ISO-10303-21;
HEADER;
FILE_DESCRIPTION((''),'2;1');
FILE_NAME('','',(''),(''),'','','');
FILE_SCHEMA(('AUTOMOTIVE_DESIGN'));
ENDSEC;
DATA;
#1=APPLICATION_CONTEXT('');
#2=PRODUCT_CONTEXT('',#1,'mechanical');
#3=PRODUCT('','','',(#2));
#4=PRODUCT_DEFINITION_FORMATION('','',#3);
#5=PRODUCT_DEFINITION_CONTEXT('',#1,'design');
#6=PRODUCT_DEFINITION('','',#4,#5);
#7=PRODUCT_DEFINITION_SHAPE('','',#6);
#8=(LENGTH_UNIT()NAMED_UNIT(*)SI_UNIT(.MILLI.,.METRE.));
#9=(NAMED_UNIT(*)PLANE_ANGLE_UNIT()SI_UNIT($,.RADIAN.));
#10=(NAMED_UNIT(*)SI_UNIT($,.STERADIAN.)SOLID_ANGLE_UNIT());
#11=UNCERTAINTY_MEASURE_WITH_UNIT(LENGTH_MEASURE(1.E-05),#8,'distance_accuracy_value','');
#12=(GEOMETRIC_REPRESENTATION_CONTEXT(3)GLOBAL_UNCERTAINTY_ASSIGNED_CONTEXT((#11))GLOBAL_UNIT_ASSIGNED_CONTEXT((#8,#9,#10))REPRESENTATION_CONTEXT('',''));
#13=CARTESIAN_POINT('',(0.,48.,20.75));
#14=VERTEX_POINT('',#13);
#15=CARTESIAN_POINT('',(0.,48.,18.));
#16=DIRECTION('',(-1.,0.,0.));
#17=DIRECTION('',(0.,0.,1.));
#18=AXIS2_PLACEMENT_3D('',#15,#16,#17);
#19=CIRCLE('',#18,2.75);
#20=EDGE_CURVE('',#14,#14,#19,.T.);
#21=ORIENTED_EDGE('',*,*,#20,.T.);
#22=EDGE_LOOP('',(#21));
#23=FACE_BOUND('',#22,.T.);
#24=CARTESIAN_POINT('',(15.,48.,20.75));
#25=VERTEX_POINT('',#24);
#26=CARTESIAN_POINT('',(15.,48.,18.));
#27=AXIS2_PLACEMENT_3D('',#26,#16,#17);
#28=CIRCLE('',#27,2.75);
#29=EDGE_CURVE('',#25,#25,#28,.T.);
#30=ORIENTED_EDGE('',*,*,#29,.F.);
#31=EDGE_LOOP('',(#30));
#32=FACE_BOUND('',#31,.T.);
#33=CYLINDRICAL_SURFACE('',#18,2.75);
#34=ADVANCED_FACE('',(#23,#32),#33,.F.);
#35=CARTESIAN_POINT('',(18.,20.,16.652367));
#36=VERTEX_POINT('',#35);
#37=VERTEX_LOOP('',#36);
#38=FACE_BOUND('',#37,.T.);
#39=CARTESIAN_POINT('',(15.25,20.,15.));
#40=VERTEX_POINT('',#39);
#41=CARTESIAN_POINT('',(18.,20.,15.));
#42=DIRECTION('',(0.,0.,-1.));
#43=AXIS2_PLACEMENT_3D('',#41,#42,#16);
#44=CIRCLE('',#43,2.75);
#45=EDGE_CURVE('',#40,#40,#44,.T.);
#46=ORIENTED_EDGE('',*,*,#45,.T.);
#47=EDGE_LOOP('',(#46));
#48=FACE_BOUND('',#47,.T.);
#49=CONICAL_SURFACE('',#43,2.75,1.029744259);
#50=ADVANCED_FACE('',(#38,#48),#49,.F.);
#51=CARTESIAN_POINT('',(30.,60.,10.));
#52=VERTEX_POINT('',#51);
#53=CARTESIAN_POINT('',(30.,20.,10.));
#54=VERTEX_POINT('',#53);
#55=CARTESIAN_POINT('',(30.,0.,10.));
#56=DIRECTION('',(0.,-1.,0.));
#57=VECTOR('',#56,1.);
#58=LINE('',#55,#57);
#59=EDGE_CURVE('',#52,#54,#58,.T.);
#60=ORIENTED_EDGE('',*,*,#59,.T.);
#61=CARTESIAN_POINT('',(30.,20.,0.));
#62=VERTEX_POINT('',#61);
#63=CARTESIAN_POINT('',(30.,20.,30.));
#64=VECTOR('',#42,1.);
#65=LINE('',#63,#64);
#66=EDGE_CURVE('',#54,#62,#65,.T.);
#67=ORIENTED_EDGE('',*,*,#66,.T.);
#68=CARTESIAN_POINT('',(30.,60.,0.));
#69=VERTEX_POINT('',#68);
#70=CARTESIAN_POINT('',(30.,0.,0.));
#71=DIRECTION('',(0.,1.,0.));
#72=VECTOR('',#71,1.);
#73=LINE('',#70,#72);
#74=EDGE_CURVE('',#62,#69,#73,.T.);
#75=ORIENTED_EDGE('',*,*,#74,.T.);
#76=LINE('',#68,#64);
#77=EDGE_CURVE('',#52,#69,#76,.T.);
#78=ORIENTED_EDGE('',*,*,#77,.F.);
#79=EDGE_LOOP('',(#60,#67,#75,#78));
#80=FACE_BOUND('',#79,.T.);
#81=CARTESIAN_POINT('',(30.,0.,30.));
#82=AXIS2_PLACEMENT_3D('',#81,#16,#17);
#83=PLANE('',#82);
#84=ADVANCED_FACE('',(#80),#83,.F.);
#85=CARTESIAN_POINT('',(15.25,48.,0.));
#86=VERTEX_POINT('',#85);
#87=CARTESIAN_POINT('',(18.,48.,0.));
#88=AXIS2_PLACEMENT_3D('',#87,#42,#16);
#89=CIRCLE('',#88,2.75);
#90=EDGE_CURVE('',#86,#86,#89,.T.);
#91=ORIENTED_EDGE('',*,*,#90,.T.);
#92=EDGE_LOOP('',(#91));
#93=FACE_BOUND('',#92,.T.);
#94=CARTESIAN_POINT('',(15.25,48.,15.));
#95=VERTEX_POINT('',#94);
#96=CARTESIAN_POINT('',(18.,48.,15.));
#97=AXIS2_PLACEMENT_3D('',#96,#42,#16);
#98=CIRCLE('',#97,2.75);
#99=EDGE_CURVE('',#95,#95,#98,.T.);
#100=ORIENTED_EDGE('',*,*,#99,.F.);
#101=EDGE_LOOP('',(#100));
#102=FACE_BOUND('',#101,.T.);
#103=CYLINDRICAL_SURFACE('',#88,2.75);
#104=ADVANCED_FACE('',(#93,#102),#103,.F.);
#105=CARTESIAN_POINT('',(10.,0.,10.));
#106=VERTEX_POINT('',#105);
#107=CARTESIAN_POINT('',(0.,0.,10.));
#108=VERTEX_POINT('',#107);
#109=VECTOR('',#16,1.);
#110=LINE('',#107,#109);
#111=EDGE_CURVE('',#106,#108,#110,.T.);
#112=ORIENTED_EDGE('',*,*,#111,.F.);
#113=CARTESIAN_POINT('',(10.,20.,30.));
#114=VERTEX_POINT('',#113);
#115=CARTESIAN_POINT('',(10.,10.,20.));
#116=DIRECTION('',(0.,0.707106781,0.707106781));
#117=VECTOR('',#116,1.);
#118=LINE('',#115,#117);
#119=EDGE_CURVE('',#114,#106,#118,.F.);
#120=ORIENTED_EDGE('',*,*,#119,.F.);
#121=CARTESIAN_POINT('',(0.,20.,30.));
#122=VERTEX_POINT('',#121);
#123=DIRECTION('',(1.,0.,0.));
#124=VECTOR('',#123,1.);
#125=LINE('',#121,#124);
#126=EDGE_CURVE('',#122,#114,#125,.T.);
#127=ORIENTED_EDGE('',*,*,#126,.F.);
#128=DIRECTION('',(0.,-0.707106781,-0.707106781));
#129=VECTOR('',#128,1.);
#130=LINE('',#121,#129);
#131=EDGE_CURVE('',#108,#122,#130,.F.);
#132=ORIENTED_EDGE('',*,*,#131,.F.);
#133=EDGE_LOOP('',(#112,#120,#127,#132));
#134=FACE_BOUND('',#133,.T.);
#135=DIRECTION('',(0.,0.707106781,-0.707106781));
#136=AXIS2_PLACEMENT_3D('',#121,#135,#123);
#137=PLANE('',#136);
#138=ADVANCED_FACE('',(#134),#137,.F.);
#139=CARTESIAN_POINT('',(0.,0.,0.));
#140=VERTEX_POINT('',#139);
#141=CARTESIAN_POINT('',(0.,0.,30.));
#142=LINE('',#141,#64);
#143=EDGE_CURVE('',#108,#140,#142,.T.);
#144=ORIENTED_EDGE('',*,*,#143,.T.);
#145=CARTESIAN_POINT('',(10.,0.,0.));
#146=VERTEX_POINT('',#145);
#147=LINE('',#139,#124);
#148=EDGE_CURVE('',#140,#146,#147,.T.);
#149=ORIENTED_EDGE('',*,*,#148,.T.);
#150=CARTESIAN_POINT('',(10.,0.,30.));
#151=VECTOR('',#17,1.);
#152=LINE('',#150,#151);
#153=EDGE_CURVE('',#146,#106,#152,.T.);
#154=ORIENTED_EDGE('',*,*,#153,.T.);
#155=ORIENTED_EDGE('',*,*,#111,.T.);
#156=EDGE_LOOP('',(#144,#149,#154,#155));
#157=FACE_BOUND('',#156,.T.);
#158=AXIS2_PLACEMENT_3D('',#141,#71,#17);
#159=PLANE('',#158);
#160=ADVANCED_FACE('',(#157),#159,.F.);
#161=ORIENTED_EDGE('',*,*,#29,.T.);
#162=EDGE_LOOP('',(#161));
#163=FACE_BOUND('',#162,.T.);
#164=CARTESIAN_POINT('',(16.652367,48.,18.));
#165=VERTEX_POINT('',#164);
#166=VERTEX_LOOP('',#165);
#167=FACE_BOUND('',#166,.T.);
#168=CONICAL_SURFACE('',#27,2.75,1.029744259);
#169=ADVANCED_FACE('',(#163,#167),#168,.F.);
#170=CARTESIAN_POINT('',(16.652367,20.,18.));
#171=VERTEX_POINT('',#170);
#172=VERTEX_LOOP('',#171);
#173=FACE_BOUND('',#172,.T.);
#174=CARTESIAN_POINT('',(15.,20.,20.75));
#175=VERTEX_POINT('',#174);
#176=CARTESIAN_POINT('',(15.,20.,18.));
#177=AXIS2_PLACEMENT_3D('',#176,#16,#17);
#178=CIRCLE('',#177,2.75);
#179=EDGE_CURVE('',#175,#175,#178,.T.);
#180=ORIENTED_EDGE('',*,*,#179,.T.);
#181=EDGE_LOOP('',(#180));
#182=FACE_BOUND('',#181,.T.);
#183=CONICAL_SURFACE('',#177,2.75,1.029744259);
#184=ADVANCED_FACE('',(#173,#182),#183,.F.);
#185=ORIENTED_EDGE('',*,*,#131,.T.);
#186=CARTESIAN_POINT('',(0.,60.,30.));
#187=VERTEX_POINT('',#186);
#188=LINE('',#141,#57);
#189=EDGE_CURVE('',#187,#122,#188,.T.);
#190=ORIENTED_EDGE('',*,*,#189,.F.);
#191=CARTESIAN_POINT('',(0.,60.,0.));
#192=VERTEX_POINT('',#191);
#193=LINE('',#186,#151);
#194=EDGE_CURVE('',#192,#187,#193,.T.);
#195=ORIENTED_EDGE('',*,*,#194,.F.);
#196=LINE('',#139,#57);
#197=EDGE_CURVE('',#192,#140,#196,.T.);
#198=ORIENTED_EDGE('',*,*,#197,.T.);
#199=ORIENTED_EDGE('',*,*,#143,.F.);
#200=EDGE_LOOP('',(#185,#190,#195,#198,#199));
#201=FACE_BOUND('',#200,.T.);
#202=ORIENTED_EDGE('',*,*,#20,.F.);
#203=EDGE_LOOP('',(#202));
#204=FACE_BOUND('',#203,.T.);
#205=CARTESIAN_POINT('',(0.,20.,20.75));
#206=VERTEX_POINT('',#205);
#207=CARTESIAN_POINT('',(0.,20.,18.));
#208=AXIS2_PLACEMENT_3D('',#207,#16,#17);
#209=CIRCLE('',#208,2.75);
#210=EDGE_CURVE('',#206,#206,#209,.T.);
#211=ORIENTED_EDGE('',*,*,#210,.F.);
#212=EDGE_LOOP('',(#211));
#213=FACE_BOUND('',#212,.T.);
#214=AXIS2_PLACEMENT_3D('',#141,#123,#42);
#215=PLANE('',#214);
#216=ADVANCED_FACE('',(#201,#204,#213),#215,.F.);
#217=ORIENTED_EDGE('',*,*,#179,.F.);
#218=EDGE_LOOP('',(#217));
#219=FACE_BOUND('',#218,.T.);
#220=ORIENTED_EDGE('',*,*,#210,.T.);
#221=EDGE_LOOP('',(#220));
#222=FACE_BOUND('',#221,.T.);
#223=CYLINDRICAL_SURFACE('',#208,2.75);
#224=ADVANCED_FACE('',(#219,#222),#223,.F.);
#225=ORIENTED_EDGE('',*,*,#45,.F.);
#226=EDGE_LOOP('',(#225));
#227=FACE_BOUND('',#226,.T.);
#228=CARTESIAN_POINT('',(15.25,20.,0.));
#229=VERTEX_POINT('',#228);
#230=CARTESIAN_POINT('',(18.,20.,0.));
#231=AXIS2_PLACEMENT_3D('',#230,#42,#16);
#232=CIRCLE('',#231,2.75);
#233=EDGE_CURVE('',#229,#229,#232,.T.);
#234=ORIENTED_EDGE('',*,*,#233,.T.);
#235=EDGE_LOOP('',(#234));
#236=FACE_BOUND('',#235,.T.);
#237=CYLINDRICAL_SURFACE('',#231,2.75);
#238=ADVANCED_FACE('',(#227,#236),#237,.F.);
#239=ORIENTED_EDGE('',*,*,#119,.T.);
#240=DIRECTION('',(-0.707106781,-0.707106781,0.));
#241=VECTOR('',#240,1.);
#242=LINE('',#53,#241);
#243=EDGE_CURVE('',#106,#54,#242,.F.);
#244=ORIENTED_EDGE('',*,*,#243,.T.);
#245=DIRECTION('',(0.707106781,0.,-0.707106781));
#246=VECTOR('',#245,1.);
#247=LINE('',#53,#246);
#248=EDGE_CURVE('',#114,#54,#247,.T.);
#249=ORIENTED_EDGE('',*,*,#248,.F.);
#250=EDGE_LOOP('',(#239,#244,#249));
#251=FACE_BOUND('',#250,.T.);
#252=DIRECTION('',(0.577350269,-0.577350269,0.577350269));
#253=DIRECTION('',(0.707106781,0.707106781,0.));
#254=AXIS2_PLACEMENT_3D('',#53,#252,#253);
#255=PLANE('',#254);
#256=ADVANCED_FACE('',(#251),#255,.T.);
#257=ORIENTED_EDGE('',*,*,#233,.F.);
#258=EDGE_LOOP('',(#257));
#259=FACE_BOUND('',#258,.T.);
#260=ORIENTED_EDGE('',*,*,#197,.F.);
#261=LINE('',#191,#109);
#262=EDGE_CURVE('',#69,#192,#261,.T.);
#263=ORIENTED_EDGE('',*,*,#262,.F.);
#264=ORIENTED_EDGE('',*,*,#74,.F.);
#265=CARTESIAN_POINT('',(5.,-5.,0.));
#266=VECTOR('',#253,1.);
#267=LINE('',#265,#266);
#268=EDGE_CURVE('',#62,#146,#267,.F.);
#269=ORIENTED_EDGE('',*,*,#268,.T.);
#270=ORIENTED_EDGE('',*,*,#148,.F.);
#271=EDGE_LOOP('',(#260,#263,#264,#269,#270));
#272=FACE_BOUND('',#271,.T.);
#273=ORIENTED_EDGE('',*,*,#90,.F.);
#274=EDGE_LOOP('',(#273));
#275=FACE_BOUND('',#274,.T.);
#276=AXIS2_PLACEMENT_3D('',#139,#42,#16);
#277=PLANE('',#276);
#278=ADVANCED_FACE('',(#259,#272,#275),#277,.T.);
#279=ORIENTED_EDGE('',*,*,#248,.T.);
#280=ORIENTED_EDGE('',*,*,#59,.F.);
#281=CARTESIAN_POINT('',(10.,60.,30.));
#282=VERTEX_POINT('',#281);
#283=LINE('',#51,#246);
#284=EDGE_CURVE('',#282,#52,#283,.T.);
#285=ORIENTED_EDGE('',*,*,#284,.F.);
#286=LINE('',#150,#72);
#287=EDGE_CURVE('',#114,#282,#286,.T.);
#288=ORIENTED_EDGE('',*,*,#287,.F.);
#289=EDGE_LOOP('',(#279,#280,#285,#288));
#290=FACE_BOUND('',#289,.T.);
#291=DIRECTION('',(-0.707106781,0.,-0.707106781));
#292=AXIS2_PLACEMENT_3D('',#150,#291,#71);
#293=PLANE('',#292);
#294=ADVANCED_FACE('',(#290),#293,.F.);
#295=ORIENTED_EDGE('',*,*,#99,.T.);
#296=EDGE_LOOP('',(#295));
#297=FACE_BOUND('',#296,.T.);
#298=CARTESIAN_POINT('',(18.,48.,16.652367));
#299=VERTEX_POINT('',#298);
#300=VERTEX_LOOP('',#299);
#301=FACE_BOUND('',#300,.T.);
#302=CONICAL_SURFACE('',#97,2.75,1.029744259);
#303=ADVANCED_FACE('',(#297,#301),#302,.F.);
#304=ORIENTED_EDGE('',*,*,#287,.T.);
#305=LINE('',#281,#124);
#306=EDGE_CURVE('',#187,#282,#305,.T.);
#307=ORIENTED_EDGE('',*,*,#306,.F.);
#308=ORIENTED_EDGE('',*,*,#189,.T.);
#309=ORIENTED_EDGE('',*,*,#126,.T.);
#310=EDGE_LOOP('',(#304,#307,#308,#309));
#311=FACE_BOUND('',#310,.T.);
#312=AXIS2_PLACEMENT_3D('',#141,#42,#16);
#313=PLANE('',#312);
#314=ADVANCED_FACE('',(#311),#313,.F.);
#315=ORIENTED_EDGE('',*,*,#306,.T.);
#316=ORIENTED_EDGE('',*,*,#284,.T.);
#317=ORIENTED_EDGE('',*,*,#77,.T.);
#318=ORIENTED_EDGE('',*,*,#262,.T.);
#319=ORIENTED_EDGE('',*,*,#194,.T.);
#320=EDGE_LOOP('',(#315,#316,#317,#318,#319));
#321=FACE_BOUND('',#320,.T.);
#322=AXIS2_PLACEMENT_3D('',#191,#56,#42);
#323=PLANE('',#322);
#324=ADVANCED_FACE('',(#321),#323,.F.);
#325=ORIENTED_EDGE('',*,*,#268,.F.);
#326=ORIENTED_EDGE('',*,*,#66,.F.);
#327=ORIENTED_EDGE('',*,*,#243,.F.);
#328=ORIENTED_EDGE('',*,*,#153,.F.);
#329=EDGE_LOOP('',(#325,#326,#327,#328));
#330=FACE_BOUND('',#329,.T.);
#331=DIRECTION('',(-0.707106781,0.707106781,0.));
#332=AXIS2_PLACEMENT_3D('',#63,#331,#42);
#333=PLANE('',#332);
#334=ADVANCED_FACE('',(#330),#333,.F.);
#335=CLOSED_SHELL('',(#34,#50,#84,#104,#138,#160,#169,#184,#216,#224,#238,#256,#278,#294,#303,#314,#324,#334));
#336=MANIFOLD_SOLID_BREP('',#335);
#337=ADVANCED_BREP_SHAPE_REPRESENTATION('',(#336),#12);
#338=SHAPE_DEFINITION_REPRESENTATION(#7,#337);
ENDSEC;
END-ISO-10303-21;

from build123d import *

# Parameters (mm, degrees)
SCHIZZO1_W                   = 30
SCHIZZO1_H                   = 40
ESTRUSIONE_ESTRUSIONE1_DEPTH = 30
SMUSSO1_SIZE                 = 20
ESTRUSIONE_ESTRUSIONE2_DEPTH = 20
FORO_PER_VITE_M5_1_D         = 5.5
FORO_PER_VITE_M5_1_DEPTH     = 15
FORO_PER_VITE_M5_1_TIP       = 1.652366702
FORO_PER_VITE_M5_2_D         = 5.5
FORO_PER_VITE_M5_2_DEPTH     = 15
FORO_PER_VITE_M5_2_TIP       = 1.652366702


with BuildPart() as part:
    # Schizzo1 → Estrusione-Estrusione1 (new body)
    with BuildSketch(Plane.XY):
        with Locations((15, 20)):
            Rectangle(SCHIZZO1_W, SCHIZZO1_H)
    extrude(amount=ESTRUSIONE_ESTRUSIONE1_DEPTH)

    # Smusso1
    smusso1_edges = [part.edges().sort_by_distance(p)[0] for p in [
        (30, 20, 30),
        (30, 0, 15),
        (15, 0, 30),
    ]]
    chamfer(smusso1_edges, length=SMUSSO1_SIZE)

    # Schizzo2 → Estrusione-Estrusione2 (add)
    with BuildSketch(Plane(origin=(0, 40, 0), x_dir=(1, 0, 0), z_dir=(0, 1, 0))):
        Polygon((0, 0), (30, 0), (30, -10), (10, -30), (0, -30), align=None)
    extrude(amount=ESTRUSIONE_ESTRUSIONE2_DEPTH)

    # Foro per Vite M5-1
    with Locations(Plane.ZY):
        with Locations((18, 20), (18, 48)):
            Hole(FORO_PER_VITE_M5_1_D / 2, depth=FORO_PER_VITE_M5_1_DEPTH)
            with Locations((0, 0, -(FORO_PER_VITE_M5_1_DEPTH + FORO_PER_VITE_M5_1_TIP / 2))):  # 118° drill point
                Cone(0, FORO_PER_VITE_M5_1_D / 2, FORO_PER_VITE_M5_1_TIP, mode=Mode.SUBTRACT)

    # Foro per Vite M5-2
    with Locations(Plane(origin=(18, 20, 0), x_dir=(-1, 0, 0), z_dir=(0, 0, -1))):
        with Locations((0, 0), (0, 28)):
            Hole(FORO_PER_VITE_M5_2_D / 2, depth=FORO_PER_VITE_M5_2_DEPTH)
            with Locations((0, 0, -(FORO_PER_VITE_M5_2_DEPTH + FORO_PER_VITE_M5_2_TIP / 2))):  # 118° drill point
                Cone(0, FORO_PER_VITE_M5_2_D / 2, FORO_PER_VITE_M5_2_TIP, mode=Mode.SUBTRACT)


solid = part.part
